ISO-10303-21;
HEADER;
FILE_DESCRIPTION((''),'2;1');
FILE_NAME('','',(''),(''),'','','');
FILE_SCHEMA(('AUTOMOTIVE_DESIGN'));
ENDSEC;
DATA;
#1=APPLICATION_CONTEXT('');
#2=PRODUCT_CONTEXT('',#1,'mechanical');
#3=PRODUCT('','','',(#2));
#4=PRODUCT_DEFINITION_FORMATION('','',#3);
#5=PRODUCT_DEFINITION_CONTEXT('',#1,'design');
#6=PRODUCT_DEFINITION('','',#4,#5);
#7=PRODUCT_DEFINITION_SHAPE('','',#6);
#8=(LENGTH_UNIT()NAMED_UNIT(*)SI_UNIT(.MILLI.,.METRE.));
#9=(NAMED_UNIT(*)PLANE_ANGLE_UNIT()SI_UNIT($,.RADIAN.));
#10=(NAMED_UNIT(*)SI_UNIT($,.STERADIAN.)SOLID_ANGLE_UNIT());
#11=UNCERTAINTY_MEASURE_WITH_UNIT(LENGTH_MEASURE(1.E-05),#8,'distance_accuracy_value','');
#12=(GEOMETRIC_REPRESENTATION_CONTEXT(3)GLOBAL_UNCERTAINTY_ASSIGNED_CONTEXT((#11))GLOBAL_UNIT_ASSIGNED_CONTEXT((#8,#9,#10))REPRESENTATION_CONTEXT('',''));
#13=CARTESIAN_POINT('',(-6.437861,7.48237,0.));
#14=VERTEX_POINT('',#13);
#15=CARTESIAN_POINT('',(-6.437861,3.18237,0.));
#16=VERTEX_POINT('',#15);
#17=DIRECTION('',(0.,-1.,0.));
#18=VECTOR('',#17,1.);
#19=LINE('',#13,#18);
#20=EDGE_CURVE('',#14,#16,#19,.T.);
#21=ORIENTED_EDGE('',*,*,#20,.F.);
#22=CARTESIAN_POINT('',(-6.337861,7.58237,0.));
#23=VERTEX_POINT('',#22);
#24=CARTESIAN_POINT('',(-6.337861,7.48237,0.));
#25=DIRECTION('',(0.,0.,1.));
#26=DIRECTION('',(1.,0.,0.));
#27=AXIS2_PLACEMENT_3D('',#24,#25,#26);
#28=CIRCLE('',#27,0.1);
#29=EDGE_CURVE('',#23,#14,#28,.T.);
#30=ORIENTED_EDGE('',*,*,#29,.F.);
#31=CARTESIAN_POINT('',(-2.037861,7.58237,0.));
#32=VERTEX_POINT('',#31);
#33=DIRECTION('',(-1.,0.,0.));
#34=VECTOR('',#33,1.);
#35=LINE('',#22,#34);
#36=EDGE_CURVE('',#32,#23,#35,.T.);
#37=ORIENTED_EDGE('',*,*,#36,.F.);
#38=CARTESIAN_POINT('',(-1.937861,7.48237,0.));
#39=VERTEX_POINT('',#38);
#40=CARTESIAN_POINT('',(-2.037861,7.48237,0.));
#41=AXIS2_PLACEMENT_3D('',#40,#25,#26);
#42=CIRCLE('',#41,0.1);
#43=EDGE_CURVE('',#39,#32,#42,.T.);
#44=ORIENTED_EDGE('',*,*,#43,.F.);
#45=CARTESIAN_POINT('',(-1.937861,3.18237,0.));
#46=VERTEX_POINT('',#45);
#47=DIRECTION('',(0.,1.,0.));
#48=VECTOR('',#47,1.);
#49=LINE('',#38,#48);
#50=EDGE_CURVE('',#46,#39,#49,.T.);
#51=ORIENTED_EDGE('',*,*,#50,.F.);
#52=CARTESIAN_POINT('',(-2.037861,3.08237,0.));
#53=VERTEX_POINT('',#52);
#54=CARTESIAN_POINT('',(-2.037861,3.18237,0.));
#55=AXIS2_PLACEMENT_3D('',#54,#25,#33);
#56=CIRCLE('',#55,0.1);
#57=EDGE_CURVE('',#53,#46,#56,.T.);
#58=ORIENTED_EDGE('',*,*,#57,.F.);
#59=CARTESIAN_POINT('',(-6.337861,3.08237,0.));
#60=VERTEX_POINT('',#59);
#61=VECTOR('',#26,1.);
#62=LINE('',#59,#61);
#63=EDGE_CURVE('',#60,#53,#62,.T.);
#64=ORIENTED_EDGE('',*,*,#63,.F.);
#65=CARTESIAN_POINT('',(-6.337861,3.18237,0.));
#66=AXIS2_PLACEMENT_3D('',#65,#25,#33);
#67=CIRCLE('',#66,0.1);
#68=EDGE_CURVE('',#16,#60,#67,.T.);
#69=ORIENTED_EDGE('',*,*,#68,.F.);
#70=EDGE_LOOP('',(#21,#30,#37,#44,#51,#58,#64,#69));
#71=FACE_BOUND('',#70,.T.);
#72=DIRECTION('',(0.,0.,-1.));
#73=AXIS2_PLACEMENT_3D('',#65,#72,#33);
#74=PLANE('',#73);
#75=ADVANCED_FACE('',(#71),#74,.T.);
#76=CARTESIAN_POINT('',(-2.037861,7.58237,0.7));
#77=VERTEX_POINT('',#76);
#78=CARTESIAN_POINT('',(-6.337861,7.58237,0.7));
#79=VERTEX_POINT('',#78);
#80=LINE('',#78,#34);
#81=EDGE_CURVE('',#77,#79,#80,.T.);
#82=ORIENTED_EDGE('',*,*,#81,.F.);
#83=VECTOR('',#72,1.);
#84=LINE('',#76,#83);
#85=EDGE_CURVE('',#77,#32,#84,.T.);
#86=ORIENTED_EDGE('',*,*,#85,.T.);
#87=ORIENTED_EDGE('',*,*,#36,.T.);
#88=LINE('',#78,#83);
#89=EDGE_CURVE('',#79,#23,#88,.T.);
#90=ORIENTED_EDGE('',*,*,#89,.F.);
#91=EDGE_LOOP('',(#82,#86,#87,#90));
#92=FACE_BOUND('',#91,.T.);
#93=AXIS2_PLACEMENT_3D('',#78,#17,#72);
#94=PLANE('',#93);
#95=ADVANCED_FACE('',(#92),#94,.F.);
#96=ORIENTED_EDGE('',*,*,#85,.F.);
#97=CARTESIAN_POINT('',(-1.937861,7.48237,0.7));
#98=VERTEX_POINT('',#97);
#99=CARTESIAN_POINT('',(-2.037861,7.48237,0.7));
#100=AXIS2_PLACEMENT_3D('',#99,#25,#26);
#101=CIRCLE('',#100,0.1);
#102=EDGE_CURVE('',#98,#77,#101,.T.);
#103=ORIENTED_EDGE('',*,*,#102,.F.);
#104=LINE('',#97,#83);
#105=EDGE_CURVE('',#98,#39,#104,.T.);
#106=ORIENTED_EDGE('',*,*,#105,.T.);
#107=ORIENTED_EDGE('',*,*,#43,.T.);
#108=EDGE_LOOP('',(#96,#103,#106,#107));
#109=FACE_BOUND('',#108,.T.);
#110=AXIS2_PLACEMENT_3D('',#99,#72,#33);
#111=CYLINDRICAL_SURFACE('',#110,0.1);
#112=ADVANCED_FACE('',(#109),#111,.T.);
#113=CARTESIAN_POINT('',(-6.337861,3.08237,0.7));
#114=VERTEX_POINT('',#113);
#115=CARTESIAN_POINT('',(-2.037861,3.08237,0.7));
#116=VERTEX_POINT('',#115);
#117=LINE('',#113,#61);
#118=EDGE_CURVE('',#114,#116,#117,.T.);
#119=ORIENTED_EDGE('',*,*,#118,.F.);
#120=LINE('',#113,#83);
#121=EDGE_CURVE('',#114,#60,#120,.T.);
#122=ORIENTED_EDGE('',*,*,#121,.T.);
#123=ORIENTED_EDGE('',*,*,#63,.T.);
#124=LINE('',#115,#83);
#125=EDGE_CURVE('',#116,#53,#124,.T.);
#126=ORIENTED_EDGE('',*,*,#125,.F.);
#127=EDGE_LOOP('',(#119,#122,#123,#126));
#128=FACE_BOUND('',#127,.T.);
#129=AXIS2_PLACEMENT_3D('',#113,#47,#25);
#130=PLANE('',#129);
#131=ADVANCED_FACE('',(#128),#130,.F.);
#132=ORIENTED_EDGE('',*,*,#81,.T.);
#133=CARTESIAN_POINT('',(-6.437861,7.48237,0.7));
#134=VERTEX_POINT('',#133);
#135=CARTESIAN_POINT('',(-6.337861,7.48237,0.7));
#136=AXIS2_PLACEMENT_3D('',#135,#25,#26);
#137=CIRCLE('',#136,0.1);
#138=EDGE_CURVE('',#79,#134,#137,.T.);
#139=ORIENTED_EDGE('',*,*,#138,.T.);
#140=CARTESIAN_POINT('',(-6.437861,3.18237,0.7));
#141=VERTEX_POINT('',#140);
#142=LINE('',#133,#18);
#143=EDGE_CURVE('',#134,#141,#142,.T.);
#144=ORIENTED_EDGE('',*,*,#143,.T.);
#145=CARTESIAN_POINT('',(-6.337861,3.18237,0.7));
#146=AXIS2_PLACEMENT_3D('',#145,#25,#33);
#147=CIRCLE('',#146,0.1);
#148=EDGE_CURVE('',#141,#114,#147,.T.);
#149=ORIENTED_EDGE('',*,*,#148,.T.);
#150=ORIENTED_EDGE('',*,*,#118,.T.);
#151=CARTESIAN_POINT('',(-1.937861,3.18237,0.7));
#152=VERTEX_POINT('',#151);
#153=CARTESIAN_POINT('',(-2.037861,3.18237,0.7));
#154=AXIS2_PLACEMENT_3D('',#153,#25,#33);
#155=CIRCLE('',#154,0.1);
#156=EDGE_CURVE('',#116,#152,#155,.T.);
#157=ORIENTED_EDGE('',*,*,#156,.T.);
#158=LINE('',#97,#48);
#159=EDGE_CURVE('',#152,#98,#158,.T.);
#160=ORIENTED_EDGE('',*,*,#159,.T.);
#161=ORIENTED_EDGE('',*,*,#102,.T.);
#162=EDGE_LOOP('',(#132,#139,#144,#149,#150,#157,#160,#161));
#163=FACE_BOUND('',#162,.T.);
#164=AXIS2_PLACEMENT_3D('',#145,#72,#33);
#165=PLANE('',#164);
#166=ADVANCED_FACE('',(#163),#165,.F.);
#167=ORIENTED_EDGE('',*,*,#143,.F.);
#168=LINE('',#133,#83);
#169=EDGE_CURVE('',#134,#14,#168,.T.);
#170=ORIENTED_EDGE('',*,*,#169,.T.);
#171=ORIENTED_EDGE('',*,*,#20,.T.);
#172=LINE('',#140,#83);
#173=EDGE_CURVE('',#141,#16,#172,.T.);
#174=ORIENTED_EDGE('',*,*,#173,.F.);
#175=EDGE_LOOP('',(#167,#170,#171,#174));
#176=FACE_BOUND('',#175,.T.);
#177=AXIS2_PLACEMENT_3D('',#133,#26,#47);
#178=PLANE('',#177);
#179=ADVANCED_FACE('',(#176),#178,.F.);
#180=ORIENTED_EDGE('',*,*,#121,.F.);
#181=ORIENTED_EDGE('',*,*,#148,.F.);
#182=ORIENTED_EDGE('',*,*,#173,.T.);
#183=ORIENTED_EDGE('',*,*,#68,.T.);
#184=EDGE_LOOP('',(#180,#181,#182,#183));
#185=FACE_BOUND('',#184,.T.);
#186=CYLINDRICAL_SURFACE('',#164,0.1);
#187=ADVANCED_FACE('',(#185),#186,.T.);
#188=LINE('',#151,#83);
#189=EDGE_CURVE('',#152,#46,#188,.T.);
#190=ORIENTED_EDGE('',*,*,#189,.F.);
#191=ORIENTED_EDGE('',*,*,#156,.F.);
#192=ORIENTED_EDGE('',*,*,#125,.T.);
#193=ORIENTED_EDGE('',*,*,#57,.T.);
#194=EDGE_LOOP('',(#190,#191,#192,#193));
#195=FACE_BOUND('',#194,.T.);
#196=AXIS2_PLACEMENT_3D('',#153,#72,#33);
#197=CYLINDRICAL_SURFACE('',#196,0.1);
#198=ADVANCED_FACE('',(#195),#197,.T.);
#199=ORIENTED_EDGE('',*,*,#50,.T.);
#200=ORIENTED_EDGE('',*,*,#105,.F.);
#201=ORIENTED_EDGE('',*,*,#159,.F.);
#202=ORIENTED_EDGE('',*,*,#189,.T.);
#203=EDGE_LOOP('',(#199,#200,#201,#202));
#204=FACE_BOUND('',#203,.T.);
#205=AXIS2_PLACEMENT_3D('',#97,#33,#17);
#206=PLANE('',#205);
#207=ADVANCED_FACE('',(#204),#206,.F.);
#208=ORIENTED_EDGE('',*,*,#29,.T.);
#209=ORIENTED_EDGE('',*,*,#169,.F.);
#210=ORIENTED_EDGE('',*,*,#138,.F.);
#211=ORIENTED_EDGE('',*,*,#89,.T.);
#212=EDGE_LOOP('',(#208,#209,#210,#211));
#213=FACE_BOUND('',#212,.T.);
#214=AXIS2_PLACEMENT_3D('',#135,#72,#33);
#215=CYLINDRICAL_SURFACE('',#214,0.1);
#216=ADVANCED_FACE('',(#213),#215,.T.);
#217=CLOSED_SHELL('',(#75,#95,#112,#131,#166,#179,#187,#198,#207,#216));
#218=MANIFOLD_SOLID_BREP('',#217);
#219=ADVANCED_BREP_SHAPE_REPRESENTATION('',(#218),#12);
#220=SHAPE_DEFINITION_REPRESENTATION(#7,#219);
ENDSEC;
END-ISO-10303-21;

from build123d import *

# Parameters (mm, degrees)
EXTRUDE_1_DEPTH = 0.7


with BuildPart() as part:
    # 草图1 → 凸台-拉伸1 (new body)
    with BuildSketch(Plane.XY):
        with BuildLine():
            Line((-6.337861272, 7.582369942), (-2.037861272, 7.582369942))
            ThreePointArc((-2.037861272, 7.582369942), (-1.967150594, 7.55308062), (-1.937861272, 7.482369942))
            Line((-1.937861272, 7.482369942), (-1.937861272, 3.182369942))
            ThreePointArc((-1.937861272, 3.182369942), (-1.967150594, 3.111659264), (-2.037861272, 3.082369942))
            Line((-2.037861272, 3.082369942), (-6.337861272, 3.082369942))
            ThreePointArc((-6.337861272, 3.082369942), (-6.40857195, 3.111659264), (-6.437861272, 3.182369942))
            Line((-6.437861272, 3.182369942), (-6.437861272, 7.482369942))
            ThreePointArc((-6.437861272, 7.482369942), (-6.40857195, 7.55308062), (-6.337861272, 7.582369942))
        make_face()
    extrude(amount=EXTRUDE_1_DEPTH)


solid = part.part
